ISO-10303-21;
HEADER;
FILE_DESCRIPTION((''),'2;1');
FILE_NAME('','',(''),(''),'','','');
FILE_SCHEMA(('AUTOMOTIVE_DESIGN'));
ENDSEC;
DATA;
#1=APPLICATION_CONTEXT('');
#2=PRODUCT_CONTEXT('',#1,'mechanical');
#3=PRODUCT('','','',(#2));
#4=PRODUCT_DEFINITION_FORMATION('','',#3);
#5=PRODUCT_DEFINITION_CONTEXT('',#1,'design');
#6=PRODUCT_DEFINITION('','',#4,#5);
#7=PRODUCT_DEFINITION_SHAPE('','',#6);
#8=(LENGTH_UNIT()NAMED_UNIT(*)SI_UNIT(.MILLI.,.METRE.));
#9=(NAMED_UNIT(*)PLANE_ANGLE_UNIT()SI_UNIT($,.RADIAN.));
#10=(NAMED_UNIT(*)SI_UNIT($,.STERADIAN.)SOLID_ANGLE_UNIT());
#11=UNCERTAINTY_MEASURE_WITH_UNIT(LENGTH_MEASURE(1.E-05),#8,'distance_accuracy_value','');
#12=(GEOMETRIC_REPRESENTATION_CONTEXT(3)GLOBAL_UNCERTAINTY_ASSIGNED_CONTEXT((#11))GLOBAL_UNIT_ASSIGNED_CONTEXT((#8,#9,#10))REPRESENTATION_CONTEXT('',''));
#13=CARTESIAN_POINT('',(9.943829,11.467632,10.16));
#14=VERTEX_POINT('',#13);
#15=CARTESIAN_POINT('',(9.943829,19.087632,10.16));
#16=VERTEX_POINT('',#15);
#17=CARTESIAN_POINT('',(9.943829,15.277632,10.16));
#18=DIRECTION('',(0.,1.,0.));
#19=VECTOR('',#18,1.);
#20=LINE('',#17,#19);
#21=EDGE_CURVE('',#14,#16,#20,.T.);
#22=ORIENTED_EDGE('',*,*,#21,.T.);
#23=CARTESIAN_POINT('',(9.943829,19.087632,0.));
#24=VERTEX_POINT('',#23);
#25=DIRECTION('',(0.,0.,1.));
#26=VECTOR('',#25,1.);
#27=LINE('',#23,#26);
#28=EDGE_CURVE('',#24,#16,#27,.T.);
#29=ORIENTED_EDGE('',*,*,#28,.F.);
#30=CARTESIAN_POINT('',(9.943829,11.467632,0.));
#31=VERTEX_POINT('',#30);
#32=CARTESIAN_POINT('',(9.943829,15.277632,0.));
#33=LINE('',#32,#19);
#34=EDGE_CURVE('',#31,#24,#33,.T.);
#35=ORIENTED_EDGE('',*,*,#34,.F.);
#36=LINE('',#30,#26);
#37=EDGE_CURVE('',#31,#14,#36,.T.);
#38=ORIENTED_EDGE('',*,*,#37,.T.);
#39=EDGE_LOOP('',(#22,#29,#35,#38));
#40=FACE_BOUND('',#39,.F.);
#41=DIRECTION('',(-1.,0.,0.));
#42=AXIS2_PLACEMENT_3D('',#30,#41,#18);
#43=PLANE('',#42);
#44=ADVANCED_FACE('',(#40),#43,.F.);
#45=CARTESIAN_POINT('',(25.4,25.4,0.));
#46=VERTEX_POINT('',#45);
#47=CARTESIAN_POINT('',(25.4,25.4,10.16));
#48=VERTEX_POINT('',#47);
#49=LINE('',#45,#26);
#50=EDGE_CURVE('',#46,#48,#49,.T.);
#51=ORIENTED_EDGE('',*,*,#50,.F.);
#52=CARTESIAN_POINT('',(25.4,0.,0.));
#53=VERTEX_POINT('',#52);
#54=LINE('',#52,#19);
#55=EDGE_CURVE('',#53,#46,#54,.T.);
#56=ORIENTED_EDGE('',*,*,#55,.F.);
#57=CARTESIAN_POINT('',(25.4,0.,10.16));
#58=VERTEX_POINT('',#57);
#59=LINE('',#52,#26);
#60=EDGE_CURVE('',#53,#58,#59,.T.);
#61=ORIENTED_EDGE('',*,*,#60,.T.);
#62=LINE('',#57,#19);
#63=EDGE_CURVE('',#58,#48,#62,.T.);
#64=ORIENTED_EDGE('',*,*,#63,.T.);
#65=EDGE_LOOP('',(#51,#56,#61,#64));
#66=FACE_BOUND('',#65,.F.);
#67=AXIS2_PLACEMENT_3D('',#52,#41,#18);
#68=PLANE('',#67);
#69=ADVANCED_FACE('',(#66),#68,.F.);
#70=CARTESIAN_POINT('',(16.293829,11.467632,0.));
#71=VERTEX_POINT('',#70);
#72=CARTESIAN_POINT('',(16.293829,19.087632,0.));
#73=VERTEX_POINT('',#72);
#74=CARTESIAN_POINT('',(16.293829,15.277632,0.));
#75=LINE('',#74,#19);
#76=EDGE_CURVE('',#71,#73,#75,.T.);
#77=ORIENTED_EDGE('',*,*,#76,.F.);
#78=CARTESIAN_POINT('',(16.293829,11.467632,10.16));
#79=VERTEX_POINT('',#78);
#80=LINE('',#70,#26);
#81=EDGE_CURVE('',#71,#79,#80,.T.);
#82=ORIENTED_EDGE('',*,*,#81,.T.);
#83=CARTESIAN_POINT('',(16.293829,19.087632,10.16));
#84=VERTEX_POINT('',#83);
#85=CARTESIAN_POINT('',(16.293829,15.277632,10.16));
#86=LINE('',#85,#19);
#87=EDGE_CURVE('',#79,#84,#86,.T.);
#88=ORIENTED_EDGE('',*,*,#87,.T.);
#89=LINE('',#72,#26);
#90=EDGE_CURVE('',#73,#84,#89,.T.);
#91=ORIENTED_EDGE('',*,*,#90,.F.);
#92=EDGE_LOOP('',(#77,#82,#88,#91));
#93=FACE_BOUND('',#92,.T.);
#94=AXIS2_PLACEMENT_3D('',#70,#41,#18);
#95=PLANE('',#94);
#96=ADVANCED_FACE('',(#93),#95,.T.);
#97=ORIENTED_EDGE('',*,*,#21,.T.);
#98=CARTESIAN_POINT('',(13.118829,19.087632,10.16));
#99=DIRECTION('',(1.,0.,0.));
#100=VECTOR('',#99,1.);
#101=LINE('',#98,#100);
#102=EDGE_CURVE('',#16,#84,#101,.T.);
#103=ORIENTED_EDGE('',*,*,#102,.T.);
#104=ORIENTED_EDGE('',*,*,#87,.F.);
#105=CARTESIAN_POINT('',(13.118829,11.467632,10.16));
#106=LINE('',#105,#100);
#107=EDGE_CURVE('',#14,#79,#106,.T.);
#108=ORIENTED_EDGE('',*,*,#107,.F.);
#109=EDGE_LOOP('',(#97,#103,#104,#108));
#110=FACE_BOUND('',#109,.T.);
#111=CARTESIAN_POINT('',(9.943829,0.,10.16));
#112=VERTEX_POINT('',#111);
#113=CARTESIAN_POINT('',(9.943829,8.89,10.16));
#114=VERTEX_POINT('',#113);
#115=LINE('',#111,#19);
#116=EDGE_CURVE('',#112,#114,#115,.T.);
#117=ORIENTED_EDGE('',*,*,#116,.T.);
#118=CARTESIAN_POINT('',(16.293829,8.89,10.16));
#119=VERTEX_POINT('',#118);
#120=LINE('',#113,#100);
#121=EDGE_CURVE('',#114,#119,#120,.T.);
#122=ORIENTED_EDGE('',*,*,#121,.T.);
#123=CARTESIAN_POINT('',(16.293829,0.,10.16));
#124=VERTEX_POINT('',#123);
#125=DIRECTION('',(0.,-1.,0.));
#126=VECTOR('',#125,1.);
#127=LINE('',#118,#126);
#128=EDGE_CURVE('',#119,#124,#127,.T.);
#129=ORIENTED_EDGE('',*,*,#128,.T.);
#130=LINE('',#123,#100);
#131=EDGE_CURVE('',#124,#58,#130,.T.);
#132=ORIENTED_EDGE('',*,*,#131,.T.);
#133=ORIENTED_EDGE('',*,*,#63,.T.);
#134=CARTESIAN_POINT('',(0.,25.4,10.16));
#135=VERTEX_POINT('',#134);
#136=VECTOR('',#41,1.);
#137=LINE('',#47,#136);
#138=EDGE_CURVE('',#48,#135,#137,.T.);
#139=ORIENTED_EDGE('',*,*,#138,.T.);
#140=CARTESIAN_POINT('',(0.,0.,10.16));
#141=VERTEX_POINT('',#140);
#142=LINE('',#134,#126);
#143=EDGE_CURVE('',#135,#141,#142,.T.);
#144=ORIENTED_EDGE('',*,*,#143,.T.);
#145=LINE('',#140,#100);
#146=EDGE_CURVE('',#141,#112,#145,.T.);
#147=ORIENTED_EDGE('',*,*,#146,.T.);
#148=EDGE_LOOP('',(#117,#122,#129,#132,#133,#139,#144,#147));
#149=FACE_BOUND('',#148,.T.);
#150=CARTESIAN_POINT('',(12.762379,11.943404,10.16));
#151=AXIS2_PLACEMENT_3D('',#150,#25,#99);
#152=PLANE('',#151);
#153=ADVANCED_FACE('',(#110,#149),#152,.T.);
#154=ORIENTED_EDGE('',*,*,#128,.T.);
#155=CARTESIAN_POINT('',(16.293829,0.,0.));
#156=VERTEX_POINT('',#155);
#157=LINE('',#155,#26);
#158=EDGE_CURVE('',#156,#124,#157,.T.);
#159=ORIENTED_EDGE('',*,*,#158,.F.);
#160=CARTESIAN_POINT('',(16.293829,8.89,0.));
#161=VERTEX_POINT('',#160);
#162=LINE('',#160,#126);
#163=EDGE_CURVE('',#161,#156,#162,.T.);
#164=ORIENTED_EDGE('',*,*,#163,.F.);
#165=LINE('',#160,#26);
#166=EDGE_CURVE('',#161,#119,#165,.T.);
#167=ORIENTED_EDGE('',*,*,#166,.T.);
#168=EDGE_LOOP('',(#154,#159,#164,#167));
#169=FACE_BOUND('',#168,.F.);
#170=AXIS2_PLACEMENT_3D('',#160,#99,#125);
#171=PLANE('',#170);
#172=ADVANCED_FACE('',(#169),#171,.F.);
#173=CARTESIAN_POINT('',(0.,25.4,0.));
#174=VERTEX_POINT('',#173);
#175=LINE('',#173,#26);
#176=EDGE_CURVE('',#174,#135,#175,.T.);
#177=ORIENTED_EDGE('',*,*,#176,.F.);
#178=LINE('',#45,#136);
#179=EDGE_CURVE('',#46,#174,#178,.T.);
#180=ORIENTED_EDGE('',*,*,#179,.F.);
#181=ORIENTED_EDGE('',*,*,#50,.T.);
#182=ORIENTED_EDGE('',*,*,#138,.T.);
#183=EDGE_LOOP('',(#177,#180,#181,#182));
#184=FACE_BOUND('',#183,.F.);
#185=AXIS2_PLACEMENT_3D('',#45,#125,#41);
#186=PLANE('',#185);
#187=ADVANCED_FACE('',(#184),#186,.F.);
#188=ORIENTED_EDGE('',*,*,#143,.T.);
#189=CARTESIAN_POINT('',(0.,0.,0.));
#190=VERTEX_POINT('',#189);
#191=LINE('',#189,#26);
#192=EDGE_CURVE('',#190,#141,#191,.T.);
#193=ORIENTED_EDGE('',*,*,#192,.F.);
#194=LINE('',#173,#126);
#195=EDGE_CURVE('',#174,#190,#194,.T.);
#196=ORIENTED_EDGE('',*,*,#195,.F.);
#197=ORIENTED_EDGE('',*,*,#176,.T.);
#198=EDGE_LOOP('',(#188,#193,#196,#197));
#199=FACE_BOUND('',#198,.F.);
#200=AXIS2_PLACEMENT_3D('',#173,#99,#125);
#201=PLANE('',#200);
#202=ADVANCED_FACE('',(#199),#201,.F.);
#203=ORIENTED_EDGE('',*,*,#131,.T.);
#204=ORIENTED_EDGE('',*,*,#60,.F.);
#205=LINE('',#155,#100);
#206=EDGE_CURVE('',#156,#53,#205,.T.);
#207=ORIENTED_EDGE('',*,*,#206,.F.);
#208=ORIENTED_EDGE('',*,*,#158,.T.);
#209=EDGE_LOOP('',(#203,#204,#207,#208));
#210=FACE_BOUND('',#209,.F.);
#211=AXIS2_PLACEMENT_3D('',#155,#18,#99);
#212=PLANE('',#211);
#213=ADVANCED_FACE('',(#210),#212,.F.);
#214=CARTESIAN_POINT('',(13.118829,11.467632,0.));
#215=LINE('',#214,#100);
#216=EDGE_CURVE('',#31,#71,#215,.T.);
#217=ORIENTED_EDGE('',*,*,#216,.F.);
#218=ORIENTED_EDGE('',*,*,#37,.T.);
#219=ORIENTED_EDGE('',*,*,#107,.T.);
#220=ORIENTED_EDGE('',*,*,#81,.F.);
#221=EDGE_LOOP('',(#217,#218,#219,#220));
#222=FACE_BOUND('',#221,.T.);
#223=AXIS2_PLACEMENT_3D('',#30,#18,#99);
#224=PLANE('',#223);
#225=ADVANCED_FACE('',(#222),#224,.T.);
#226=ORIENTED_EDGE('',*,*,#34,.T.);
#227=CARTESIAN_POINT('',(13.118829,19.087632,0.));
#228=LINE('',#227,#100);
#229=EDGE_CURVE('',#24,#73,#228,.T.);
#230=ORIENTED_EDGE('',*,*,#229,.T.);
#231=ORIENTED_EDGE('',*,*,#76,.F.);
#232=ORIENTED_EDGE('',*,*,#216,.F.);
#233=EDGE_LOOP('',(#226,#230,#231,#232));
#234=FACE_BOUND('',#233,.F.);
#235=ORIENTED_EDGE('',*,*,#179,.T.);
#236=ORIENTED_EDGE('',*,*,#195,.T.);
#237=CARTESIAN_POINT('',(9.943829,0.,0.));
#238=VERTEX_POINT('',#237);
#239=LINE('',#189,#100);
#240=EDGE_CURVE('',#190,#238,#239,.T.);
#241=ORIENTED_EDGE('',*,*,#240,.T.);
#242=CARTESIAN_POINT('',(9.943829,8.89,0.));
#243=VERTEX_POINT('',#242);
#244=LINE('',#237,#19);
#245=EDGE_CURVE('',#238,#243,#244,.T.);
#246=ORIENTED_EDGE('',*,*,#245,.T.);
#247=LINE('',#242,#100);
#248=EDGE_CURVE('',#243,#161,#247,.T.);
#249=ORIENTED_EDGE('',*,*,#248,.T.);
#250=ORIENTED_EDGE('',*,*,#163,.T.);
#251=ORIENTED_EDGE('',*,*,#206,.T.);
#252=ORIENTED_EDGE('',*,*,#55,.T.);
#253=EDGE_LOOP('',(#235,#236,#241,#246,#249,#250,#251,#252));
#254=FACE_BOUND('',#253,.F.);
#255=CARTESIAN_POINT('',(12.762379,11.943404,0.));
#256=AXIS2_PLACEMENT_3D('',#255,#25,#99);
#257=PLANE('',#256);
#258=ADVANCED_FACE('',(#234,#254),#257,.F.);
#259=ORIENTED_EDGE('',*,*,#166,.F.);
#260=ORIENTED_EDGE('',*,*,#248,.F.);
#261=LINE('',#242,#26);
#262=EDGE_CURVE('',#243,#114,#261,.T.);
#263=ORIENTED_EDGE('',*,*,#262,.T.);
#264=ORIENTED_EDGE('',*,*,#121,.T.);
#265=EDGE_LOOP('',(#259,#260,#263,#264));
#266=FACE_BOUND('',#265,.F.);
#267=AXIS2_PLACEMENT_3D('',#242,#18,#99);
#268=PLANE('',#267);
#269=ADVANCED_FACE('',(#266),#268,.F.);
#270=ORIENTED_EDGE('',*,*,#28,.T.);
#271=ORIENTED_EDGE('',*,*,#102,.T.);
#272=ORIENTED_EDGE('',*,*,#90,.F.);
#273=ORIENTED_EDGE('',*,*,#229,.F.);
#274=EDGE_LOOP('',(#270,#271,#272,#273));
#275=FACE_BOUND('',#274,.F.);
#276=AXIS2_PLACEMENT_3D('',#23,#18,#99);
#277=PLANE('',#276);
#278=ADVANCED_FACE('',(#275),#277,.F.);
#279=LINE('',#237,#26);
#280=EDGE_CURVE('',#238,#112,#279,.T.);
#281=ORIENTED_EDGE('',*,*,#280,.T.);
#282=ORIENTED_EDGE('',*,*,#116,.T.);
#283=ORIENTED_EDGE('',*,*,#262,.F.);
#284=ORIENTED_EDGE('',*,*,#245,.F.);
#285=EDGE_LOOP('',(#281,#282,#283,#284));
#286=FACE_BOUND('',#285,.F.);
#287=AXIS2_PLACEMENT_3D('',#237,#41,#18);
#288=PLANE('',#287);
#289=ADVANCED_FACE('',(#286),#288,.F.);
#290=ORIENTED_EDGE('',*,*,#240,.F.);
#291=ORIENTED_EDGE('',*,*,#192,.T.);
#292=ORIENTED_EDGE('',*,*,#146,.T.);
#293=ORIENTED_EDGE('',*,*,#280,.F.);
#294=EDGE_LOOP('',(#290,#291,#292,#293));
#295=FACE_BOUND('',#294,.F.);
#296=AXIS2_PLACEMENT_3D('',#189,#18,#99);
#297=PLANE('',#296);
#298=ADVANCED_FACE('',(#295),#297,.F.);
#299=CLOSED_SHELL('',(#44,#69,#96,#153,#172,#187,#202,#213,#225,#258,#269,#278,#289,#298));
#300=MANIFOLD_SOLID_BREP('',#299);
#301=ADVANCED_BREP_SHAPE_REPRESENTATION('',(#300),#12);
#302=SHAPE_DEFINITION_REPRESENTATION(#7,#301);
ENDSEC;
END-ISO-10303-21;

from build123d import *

# Parameters (mm, degrees)
F0_W     = 6.35
F0_H     = 7.62
F1_DEPTH = 10.16


with BuildPart() as f1:
    # F0 (on Top) → F1 (new body)
    with BuildSketch(Plane.XY):
        Polygon((0, 25.4), (0, 0), (9.943829, 0), (9.943829, 8.89), (16.293829, 8.89), (16.293829, 0), (25.4, 0), (25.4, 25.4), align=None)
        with Locations((13.118829, 15.277632)):
            Rectangle(F0_W, F0_H, mode=Mode.SUBTRACT)
    extrude(amount=F1_DEPTH)


solid = f1.part
